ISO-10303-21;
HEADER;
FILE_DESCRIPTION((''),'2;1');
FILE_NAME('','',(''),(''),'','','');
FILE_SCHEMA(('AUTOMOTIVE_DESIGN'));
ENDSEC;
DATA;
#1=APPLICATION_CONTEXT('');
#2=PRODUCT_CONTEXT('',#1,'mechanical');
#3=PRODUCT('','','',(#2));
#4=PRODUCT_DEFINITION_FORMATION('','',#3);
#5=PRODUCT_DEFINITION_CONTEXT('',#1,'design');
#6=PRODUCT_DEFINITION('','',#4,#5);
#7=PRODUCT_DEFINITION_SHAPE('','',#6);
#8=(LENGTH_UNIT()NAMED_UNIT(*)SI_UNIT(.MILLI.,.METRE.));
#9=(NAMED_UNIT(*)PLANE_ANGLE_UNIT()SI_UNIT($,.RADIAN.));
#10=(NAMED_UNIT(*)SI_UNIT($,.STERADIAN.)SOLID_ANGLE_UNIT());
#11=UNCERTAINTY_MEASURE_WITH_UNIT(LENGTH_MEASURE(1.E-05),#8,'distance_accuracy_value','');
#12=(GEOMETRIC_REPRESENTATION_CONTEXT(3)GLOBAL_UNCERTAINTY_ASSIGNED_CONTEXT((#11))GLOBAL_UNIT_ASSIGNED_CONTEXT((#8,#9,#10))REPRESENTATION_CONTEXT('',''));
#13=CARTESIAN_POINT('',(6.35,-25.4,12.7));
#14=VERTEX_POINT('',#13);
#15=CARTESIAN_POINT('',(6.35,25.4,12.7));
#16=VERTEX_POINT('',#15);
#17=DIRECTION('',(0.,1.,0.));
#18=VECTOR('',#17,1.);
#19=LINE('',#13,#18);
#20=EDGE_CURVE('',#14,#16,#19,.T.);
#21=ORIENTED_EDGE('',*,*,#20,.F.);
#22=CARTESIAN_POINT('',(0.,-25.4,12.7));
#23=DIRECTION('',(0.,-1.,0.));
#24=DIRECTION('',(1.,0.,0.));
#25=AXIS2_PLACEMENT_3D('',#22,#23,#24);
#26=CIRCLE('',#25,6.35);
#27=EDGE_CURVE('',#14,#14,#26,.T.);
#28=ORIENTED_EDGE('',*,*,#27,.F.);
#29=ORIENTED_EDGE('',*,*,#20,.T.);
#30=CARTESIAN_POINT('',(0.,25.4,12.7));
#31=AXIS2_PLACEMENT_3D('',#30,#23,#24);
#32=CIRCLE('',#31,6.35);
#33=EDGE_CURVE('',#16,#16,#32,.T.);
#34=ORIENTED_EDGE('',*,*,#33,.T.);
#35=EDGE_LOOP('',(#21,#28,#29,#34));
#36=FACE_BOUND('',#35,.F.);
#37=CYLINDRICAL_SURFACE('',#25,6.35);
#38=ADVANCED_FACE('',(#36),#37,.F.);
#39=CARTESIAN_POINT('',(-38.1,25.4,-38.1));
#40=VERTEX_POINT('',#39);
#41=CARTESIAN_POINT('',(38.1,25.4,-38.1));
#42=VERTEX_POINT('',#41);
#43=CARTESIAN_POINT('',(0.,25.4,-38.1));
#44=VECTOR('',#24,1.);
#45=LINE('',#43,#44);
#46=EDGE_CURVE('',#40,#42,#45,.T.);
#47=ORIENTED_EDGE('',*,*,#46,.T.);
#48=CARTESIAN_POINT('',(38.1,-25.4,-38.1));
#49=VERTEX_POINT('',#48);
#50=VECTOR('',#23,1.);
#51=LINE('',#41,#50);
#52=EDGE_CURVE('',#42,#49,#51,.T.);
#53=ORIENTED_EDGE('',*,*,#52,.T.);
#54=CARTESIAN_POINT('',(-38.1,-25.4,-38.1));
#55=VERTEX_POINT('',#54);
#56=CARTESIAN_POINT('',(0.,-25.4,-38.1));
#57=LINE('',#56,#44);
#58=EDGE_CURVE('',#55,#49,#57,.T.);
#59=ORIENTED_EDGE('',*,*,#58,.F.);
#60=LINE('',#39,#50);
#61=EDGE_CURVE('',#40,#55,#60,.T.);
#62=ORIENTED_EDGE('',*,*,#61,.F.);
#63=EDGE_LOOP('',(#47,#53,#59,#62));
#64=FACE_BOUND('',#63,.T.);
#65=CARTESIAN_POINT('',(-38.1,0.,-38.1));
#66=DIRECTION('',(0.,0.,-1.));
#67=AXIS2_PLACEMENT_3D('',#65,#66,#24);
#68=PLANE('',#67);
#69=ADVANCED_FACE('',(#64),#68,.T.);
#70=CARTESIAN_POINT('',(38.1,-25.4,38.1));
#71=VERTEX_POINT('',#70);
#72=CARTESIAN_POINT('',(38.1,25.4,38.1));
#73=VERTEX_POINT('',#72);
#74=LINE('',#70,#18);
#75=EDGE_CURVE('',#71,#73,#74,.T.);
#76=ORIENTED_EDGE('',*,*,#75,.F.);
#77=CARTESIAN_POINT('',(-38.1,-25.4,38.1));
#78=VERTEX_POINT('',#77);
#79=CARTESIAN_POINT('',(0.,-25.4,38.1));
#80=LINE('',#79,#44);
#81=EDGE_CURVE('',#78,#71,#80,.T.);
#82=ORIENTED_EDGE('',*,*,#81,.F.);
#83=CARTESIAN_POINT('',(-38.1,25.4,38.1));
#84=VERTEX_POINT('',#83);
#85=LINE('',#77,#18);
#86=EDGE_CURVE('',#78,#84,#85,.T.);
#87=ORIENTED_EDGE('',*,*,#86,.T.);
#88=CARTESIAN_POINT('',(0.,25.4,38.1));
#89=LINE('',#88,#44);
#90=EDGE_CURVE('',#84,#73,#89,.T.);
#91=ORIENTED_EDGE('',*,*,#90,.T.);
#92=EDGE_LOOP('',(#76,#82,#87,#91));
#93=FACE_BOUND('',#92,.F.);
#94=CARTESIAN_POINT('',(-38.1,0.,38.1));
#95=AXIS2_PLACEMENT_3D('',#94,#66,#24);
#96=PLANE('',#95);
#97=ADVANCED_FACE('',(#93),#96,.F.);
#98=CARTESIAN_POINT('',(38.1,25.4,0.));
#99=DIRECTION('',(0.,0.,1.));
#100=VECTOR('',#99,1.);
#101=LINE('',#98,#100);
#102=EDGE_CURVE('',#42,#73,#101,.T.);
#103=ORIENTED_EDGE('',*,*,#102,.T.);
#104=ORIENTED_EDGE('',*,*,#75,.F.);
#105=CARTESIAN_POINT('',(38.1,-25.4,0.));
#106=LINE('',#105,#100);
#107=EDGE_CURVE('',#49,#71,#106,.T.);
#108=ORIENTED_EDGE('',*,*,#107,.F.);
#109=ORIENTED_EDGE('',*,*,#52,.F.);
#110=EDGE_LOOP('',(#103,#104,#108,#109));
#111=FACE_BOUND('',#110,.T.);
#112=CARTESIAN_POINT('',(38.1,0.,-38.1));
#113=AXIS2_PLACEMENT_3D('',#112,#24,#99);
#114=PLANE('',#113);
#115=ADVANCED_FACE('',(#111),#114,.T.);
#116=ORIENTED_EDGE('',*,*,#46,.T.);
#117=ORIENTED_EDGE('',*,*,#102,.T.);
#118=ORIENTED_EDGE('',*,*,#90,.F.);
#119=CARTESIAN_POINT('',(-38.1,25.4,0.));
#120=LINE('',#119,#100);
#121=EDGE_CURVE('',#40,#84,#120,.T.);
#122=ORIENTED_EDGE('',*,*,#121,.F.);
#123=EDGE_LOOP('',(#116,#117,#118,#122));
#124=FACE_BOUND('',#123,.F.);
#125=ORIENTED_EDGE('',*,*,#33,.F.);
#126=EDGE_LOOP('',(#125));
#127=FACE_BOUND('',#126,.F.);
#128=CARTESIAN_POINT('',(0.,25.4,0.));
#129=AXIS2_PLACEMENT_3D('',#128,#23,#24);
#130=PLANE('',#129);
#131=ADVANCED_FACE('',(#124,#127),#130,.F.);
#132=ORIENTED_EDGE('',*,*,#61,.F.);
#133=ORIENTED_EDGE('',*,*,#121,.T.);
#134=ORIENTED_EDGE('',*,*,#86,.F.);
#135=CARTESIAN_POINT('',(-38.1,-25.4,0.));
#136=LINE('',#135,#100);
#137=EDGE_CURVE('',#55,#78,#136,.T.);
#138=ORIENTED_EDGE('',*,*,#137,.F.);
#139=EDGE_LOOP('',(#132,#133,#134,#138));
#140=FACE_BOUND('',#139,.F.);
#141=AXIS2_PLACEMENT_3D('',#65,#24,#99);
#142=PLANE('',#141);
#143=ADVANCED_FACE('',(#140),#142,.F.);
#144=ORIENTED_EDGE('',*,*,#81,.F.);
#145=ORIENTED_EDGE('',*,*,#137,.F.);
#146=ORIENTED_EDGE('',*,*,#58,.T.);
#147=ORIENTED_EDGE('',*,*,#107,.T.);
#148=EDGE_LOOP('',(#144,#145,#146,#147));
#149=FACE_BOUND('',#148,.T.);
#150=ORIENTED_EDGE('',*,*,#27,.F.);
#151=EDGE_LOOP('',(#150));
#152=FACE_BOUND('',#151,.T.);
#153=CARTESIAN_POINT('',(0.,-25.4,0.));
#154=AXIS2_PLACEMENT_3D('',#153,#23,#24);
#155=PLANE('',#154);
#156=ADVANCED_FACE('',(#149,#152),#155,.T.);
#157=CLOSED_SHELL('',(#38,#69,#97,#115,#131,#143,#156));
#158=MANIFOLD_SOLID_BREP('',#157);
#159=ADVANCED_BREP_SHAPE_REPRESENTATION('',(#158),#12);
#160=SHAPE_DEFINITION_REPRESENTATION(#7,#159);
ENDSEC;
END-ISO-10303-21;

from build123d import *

# Parameters (mm, degrees)
F0_W     = 76.2
F0_H     = 76.2
F1_DEPTH = 25.4
F2_R     = 6.35
F3_DEPTH = 50.801


with BuildPart() as f1:
    # F0 (on Front) → F1 (new body, symmetric)
    with BuildSketch(Plane.XZ):
        Rectangle(F0_W, F0_H)
    extrude(amount=F1_DEPTH, both=True)

    # F2 (on face) → F3 (cut, through all)
    with BuildSketch(Plane.XZ.offset(25.4)):
        with Locations((0, 12.7)):
            Circle(F2_R)
    extrude(amount=-F3_DEPTH, mode=Mode.SUBTRACT)


solid = f1.part
